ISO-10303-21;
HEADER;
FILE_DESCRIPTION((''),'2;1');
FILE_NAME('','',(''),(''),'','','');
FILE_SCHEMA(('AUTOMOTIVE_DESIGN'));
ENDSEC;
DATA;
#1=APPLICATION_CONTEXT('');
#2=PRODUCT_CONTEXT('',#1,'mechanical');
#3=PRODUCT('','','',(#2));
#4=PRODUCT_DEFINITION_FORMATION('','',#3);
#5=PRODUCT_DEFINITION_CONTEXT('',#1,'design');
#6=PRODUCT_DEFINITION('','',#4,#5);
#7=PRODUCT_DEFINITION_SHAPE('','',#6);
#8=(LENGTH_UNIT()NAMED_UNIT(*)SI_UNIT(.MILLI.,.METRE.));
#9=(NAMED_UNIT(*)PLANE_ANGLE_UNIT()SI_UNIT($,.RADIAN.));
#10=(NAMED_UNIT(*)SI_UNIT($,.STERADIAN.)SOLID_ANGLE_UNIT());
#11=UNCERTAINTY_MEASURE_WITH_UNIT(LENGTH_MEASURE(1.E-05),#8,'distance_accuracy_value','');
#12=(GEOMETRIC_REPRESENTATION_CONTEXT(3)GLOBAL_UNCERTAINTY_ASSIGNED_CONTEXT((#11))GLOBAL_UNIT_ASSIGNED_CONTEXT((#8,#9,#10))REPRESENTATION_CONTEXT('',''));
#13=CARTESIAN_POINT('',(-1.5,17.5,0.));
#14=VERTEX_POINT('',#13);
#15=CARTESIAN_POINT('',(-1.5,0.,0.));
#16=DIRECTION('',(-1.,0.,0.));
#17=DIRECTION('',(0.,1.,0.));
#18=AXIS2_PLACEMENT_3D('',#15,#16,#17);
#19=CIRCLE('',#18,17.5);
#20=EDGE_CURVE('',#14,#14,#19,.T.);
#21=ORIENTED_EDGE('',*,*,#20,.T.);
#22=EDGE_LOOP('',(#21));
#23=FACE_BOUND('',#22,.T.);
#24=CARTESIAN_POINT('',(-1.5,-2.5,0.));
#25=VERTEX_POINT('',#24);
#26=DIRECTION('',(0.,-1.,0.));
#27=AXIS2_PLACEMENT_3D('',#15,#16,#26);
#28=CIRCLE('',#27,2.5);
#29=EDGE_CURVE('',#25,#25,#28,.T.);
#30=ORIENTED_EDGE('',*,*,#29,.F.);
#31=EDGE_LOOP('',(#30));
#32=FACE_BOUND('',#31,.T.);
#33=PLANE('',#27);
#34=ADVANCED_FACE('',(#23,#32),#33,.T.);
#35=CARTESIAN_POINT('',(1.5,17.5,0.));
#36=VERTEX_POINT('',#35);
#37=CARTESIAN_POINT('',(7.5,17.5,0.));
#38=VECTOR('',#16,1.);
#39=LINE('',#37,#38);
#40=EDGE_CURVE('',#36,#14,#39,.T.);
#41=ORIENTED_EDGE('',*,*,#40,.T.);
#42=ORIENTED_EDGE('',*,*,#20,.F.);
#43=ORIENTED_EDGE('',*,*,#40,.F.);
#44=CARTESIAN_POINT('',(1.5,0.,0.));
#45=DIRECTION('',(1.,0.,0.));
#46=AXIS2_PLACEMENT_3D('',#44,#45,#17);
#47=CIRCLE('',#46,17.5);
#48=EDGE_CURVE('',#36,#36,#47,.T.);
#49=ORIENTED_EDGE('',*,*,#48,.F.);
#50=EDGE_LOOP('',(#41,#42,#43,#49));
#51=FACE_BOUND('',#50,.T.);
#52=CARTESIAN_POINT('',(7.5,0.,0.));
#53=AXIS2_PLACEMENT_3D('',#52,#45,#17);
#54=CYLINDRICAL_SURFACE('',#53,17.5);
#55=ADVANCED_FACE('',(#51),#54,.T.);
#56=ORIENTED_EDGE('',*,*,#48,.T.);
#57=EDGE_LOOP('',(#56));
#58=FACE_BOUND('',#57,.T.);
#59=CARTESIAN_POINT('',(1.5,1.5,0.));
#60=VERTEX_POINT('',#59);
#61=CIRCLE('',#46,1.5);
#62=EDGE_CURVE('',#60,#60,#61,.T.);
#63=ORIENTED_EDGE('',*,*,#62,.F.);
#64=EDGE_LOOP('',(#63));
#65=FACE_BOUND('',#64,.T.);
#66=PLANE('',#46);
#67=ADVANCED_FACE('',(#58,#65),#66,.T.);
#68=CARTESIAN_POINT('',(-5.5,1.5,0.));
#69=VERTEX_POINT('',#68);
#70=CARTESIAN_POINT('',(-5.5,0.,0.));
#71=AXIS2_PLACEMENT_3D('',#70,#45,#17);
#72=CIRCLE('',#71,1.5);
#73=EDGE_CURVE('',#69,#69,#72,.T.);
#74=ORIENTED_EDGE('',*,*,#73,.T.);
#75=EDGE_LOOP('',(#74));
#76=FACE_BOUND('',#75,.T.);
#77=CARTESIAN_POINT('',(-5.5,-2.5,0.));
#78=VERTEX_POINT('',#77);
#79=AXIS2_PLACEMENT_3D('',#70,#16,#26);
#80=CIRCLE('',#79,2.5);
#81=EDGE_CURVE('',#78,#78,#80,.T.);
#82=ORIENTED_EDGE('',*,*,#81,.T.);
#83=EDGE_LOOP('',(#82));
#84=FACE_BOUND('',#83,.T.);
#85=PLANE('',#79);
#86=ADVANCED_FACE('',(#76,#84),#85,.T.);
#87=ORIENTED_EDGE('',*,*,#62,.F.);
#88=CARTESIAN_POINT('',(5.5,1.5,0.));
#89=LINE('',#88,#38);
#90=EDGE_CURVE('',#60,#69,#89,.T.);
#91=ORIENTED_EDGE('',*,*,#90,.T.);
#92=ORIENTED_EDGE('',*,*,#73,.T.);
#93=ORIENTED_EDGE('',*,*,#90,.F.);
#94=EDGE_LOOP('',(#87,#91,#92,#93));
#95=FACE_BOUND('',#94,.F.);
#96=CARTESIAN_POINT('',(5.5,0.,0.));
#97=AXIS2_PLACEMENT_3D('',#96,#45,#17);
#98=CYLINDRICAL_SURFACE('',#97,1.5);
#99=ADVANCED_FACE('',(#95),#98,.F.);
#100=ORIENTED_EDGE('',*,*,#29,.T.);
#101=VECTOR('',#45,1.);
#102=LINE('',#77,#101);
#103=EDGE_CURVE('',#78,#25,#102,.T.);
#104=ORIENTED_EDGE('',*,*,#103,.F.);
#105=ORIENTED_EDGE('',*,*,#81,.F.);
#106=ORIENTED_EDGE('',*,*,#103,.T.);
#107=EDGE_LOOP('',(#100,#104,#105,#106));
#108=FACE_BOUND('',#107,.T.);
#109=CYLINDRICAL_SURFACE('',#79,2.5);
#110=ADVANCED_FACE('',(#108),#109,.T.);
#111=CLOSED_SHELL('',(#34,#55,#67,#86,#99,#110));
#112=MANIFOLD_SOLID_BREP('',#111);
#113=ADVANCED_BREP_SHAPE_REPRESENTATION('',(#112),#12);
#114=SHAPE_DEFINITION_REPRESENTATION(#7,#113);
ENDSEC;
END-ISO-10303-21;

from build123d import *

# Parameters (mm, degrees)
F0_R      = 19.5
F1_DEPTH  = 7.5
F3_R      = 17.5
F4_DEPTH  = 2
F2_R      = 17.5
F5_DEPTH  = 2
F6_R      = 1.5
F7_DEPTH  = 25
F8_R      = 17.5
F8_R_2    = 2.5
F9_DEPTH  = 4
F10_R     = 17.5
F10_R_2   = 2.5
F11_DEPTH = 4
F12_R     = 20
F12_R_2   = 19.5
F12_R_3   = 17.5
F13_DEPTH = 25
F14_DEPTH = 4


with BuildPart() as f1:
    # F0 (on Right) → F1 (new body, symmetric)
    with BuildSketch(Plane.YZ):
        Circle(F0_R)
    extrude(amount=F1_DEPTH, both=True)

    # F3 (on face) → F4 (cut)
    with BuildSketch(Plane(origin=(-7.5, 0, 0), x_dir=(0, -1, 0), z_dir=(-1, 0, 0))):
        Circle(F3_R)
    extrude(amount=-F4_DEPTH, mode=Mode.SUBTRACT)

    # F2 (on face) → F5 (cut)
    with BuildSketch(Plane.YZ.offset(7.5)):
        Circle(F2_R)
    extrude(amount=-F5_DEPTH, mode=Mode.SUBTRACT)

    # F6 (on face) → F7 (cut)
    with BuildSketch(Plane.YZ.offset(5.5)):
        Circle(F6_R)
    extrude(amount=-F7_DEPTH, mode=Mode.SUBTRACT)

    # F8 (on face) → F9 (cut)
    with BuildSketch(Plane.YZ.offset(5.5)):
        Circle(F8_R)
        Circle(F8_R_2, mode=Mode.SUBTRACT)
    extrude(amount=-F9_DEPTH, mode=Mode.SUBTRACT)

    # F10 (on face) → F11 (cut)
    with BuildSketch(Plane(origin=(-5.5, 0, 0), x_dir=(0, -1, 0), z_dir=(-1, 0, 0))):
        Circle(F10_R)
        Circle(F10_R_2, mode=Mode.SUBTRACT)
    extrude(amount=-F11_DEPTH, mode=Mode.SUBTRACT)

    # F12 (on face) → F13 (cut)
    with BuildSketch(Plane.YZ.offset(7.5)):
        Circle(F12_R)
        Circle(F12_R_2, mode=Mode.SUBTRACT)
        Circle(F12_R_2)
        Circle(F12_R_3, mode=Mode.SUBTRACT)
    extrude(amount=-F13_DEPTH, mode=Mode.SUBTRACT)

    # F14 (cut): a face of the model
    f14_faces = [f1.faces().sort_by_distance(p)[0] for p in [
        (5.5, -2.4292893219, 0),
    ]]
    extrude(f14_faces, amount=-F14_DEPTH, mode=Mode.SUBTRACT)


solid = f1.part
